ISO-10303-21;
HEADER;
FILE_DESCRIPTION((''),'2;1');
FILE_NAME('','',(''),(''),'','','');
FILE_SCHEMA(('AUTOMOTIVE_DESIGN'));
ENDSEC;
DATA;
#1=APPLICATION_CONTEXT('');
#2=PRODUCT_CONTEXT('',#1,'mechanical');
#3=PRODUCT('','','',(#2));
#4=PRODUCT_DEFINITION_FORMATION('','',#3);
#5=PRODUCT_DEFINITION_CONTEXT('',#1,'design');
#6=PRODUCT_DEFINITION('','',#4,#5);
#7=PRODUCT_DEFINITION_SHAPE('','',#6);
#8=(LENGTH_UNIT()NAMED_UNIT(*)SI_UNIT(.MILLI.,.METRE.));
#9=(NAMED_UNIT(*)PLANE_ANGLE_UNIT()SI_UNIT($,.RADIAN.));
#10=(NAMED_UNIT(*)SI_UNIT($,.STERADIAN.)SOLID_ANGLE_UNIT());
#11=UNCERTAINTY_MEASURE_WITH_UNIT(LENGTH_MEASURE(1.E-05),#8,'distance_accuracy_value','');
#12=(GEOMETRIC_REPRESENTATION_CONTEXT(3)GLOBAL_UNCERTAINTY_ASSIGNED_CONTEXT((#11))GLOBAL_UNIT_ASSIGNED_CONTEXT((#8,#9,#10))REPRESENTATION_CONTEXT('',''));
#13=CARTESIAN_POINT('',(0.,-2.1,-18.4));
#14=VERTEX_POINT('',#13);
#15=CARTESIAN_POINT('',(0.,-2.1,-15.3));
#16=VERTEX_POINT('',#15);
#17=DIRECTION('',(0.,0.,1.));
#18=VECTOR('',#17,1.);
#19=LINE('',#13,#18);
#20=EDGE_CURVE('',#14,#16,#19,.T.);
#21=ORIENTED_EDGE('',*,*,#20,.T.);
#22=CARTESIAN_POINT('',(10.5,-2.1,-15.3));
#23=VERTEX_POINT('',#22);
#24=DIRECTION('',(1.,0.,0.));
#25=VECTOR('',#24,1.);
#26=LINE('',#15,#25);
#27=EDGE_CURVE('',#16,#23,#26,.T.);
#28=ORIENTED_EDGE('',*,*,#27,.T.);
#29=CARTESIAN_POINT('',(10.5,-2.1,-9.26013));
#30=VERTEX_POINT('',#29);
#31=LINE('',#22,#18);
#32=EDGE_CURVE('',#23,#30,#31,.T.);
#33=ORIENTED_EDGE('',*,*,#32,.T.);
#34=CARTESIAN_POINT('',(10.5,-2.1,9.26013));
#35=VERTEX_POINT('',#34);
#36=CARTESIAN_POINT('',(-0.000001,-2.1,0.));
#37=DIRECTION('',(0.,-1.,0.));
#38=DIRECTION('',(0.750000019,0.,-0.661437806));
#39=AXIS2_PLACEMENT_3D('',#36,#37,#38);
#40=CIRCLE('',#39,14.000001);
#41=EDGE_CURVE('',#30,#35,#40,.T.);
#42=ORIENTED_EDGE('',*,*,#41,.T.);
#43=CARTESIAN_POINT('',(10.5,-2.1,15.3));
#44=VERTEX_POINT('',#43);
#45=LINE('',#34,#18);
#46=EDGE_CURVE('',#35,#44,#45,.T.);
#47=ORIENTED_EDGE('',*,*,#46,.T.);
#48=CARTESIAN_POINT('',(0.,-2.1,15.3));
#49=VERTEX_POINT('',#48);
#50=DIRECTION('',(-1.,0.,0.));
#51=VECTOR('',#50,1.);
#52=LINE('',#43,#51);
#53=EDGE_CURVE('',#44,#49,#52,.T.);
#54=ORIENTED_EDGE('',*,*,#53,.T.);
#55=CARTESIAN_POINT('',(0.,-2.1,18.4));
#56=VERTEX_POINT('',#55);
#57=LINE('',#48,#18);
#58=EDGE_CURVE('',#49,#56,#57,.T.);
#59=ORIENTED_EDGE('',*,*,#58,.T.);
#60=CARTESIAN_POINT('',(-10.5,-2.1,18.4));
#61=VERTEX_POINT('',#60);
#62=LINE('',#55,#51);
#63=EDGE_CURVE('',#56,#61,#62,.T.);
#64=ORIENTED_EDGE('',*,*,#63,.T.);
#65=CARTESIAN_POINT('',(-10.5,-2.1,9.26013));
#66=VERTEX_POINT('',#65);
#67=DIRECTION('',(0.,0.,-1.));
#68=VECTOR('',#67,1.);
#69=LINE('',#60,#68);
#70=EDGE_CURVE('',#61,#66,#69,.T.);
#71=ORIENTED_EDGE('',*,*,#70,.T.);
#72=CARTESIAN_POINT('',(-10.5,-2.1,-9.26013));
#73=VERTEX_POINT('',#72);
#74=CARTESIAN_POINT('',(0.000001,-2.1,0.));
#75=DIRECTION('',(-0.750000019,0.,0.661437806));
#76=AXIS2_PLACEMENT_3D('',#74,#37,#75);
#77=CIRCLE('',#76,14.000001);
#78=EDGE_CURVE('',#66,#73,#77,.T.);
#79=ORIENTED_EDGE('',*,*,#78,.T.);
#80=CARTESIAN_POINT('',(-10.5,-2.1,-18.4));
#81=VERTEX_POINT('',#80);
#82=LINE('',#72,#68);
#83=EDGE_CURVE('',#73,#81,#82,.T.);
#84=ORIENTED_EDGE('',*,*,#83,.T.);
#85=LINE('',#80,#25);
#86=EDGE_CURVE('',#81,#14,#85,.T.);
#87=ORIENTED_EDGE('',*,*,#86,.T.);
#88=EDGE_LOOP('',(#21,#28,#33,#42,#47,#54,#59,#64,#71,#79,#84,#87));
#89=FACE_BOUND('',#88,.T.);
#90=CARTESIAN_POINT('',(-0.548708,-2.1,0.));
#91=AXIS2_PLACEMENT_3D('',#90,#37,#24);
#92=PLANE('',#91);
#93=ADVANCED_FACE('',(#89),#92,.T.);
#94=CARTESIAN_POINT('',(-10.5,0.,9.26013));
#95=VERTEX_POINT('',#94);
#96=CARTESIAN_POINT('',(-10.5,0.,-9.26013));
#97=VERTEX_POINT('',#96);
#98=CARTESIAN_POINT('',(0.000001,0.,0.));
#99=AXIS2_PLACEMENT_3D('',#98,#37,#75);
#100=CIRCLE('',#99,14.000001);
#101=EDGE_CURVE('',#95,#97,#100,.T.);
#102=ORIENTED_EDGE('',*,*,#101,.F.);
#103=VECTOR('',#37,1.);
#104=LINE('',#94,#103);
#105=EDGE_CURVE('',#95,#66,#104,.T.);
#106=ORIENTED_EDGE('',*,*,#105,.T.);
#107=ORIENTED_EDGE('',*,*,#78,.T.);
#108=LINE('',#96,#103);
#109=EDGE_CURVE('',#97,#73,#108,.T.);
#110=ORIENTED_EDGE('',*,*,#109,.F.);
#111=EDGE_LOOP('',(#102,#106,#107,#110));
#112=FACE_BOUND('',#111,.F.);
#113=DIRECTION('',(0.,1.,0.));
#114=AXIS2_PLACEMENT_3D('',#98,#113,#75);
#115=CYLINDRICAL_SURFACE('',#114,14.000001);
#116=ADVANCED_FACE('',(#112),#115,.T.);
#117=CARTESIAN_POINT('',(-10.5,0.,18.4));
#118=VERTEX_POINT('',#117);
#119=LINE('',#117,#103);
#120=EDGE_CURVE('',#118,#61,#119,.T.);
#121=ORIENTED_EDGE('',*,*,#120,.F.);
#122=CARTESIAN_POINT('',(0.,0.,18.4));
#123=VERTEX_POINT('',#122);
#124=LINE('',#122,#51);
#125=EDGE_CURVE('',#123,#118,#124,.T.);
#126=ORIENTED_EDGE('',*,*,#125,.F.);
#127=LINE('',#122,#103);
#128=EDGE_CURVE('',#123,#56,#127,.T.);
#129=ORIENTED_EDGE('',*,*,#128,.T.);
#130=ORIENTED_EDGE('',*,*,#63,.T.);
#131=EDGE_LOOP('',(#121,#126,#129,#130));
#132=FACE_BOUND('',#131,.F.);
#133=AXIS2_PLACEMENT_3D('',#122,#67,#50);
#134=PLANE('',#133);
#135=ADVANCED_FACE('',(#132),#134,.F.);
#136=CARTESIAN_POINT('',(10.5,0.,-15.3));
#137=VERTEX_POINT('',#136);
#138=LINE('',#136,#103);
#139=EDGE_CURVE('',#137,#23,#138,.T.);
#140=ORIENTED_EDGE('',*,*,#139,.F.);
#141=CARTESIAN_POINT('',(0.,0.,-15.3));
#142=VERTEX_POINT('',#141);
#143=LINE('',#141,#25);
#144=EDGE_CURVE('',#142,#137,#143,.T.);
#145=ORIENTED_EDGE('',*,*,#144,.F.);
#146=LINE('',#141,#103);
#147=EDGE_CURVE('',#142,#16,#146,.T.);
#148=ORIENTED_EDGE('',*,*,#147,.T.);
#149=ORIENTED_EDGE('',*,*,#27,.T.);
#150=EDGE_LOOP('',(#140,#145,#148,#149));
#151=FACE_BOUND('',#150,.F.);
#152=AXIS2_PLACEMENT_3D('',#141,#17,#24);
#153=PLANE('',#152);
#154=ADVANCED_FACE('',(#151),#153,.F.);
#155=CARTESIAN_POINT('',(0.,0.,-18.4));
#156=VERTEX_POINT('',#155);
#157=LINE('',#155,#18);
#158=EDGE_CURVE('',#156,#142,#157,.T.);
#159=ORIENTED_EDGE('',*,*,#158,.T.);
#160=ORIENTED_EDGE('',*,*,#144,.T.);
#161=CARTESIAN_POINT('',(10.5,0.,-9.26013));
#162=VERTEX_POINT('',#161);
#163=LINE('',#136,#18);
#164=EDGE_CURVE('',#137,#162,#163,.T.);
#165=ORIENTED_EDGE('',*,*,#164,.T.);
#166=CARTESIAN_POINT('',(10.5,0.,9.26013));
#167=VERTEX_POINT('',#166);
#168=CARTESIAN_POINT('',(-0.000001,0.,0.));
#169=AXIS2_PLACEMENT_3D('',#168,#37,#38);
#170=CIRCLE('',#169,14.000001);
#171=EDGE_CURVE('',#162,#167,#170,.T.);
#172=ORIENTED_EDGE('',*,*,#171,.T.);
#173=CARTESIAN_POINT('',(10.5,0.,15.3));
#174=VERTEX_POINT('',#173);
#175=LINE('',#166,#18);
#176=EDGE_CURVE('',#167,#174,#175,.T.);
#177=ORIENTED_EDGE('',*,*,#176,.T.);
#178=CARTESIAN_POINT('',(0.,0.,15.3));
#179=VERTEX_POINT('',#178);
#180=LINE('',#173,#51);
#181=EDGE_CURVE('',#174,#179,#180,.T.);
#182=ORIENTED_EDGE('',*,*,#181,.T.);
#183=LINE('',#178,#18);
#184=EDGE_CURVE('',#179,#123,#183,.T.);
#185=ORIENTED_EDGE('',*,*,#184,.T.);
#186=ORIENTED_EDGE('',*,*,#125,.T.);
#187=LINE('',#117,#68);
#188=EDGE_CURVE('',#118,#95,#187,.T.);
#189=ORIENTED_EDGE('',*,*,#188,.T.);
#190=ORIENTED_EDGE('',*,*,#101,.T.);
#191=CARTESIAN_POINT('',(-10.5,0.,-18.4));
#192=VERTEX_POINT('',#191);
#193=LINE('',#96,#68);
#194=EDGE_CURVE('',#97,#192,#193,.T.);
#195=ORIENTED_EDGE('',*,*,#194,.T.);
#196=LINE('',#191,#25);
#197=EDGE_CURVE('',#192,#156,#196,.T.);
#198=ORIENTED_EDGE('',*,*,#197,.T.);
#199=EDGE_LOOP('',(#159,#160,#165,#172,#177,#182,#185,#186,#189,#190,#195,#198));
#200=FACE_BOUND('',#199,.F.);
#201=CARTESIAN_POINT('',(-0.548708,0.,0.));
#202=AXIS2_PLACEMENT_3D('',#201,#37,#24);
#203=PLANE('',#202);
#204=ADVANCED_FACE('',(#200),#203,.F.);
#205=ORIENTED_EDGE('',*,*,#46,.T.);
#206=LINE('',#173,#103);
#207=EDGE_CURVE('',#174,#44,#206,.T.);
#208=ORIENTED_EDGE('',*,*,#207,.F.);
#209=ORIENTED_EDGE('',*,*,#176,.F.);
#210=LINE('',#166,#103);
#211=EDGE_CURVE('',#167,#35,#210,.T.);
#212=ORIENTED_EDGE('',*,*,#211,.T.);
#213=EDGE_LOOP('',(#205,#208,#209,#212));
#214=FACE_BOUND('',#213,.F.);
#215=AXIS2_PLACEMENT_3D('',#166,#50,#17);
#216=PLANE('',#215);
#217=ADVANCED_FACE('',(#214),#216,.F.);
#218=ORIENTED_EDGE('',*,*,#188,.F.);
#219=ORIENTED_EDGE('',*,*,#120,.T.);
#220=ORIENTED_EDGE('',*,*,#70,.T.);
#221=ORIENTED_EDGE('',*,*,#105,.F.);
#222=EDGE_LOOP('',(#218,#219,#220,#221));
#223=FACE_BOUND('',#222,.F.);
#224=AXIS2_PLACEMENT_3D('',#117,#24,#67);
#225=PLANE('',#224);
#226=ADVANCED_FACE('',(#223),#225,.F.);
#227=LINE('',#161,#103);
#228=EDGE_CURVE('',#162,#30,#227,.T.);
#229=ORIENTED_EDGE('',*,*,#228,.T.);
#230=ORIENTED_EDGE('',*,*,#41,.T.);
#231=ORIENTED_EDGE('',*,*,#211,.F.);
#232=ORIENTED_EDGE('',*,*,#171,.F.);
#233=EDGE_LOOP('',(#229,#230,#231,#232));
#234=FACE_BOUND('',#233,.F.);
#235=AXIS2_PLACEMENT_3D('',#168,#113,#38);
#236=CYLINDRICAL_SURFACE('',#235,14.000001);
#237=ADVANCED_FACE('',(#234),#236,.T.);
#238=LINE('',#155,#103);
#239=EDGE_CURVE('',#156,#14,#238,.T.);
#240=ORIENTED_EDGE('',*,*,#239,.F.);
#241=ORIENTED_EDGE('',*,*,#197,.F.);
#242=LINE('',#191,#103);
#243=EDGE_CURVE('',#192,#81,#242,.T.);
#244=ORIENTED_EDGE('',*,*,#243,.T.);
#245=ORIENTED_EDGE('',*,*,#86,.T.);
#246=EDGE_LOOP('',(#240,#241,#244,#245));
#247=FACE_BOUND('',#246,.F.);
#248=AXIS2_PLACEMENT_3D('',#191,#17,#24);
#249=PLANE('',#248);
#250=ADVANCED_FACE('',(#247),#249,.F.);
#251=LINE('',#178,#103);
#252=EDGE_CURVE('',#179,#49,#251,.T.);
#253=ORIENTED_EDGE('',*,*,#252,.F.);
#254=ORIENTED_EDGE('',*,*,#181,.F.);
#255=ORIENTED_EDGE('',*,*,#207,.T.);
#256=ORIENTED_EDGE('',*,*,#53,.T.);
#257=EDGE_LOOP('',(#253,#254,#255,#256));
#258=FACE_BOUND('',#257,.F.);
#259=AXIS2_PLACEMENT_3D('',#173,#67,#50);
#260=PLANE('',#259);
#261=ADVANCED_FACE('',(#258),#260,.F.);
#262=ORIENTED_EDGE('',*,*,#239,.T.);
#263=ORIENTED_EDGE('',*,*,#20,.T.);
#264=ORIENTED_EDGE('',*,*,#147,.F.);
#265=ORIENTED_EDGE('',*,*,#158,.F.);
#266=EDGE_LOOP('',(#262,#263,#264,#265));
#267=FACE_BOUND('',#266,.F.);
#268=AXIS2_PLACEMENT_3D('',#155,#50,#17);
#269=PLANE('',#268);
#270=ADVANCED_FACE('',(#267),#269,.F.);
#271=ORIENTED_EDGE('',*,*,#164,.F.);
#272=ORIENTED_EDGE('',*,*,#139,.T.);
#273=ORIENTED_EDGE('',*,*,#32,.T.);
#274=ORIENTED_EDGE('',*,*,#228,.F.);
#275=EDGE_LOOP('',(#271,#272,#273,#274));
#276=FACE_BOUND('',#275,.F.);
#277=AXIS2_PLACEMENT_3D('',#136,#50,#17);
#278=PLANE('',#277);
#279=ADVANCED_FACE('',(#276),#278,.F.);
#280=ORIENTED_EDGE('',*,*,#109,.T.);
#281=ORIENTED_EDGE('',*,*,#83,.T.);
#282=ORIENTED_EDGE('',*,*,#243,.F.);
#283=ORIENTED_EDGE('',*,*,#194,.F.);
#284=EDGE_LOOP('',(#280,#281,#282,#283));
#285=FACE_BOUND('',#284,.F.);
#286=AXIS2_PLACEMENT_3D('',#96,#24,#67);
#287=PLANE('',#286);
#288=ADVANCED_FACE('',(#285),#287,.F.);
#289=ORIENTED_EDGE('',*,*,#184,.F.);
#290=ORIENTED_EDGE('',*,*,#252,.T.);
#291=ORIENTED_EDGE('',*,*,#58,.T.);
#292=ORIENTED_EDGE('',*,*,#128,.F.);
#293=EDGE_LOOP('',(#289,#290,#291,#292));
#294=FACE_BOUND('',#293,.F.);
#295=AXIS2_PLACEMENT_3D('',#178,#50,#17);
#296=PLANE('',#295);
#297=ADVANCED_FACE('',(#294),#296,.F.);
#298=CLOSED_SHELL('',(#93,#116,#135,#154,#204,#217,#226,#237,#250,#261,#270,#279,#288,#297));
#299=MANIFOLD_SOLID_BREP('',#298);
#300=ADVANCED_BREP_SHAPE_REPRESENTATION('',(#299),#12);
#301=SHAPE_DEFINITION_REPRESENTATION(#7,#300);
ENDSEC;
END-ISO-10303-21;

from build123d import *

# Parameters (mm, degrees)
F1_DEPTH = 2.1


with BuildPart() as f1:
    # F0 (on Front) → F1 (new body)
    with BuildSketch(Plane.XZ):
        with BuildLine():
            Line((-10.5, 18.4), (-10.5, 9.26013))
            ThreePointArc((-10.5, 9.26013), (-14, 0), (-10.5, -9.26013))
            Line((-10.5, -9.26013), (-10.5, -18.4))
            Line((-10.5, -18.4), (0, -18.4))
            Line((0, -18.4), (0, -15.3))
            Line((0, -15.3), (10.5, -15.3))
            Line((10.5, -15.3), (10.5, -9.26013))
            ThreePointArc((10.5, -9.26013), (14, 0), (10.5, 9.26013))
            Line((10.5, 9.26013), (10.5, 15.3))
            Line((10.5, 15.3), (0, 15.3))
            Line((0, 15.3), (0, 18.4))
            Line((0, 18.4), (-10.5, 18.4))
        make_face()
    extrude(amount=F1_DEPTH)


solid = f1.part
